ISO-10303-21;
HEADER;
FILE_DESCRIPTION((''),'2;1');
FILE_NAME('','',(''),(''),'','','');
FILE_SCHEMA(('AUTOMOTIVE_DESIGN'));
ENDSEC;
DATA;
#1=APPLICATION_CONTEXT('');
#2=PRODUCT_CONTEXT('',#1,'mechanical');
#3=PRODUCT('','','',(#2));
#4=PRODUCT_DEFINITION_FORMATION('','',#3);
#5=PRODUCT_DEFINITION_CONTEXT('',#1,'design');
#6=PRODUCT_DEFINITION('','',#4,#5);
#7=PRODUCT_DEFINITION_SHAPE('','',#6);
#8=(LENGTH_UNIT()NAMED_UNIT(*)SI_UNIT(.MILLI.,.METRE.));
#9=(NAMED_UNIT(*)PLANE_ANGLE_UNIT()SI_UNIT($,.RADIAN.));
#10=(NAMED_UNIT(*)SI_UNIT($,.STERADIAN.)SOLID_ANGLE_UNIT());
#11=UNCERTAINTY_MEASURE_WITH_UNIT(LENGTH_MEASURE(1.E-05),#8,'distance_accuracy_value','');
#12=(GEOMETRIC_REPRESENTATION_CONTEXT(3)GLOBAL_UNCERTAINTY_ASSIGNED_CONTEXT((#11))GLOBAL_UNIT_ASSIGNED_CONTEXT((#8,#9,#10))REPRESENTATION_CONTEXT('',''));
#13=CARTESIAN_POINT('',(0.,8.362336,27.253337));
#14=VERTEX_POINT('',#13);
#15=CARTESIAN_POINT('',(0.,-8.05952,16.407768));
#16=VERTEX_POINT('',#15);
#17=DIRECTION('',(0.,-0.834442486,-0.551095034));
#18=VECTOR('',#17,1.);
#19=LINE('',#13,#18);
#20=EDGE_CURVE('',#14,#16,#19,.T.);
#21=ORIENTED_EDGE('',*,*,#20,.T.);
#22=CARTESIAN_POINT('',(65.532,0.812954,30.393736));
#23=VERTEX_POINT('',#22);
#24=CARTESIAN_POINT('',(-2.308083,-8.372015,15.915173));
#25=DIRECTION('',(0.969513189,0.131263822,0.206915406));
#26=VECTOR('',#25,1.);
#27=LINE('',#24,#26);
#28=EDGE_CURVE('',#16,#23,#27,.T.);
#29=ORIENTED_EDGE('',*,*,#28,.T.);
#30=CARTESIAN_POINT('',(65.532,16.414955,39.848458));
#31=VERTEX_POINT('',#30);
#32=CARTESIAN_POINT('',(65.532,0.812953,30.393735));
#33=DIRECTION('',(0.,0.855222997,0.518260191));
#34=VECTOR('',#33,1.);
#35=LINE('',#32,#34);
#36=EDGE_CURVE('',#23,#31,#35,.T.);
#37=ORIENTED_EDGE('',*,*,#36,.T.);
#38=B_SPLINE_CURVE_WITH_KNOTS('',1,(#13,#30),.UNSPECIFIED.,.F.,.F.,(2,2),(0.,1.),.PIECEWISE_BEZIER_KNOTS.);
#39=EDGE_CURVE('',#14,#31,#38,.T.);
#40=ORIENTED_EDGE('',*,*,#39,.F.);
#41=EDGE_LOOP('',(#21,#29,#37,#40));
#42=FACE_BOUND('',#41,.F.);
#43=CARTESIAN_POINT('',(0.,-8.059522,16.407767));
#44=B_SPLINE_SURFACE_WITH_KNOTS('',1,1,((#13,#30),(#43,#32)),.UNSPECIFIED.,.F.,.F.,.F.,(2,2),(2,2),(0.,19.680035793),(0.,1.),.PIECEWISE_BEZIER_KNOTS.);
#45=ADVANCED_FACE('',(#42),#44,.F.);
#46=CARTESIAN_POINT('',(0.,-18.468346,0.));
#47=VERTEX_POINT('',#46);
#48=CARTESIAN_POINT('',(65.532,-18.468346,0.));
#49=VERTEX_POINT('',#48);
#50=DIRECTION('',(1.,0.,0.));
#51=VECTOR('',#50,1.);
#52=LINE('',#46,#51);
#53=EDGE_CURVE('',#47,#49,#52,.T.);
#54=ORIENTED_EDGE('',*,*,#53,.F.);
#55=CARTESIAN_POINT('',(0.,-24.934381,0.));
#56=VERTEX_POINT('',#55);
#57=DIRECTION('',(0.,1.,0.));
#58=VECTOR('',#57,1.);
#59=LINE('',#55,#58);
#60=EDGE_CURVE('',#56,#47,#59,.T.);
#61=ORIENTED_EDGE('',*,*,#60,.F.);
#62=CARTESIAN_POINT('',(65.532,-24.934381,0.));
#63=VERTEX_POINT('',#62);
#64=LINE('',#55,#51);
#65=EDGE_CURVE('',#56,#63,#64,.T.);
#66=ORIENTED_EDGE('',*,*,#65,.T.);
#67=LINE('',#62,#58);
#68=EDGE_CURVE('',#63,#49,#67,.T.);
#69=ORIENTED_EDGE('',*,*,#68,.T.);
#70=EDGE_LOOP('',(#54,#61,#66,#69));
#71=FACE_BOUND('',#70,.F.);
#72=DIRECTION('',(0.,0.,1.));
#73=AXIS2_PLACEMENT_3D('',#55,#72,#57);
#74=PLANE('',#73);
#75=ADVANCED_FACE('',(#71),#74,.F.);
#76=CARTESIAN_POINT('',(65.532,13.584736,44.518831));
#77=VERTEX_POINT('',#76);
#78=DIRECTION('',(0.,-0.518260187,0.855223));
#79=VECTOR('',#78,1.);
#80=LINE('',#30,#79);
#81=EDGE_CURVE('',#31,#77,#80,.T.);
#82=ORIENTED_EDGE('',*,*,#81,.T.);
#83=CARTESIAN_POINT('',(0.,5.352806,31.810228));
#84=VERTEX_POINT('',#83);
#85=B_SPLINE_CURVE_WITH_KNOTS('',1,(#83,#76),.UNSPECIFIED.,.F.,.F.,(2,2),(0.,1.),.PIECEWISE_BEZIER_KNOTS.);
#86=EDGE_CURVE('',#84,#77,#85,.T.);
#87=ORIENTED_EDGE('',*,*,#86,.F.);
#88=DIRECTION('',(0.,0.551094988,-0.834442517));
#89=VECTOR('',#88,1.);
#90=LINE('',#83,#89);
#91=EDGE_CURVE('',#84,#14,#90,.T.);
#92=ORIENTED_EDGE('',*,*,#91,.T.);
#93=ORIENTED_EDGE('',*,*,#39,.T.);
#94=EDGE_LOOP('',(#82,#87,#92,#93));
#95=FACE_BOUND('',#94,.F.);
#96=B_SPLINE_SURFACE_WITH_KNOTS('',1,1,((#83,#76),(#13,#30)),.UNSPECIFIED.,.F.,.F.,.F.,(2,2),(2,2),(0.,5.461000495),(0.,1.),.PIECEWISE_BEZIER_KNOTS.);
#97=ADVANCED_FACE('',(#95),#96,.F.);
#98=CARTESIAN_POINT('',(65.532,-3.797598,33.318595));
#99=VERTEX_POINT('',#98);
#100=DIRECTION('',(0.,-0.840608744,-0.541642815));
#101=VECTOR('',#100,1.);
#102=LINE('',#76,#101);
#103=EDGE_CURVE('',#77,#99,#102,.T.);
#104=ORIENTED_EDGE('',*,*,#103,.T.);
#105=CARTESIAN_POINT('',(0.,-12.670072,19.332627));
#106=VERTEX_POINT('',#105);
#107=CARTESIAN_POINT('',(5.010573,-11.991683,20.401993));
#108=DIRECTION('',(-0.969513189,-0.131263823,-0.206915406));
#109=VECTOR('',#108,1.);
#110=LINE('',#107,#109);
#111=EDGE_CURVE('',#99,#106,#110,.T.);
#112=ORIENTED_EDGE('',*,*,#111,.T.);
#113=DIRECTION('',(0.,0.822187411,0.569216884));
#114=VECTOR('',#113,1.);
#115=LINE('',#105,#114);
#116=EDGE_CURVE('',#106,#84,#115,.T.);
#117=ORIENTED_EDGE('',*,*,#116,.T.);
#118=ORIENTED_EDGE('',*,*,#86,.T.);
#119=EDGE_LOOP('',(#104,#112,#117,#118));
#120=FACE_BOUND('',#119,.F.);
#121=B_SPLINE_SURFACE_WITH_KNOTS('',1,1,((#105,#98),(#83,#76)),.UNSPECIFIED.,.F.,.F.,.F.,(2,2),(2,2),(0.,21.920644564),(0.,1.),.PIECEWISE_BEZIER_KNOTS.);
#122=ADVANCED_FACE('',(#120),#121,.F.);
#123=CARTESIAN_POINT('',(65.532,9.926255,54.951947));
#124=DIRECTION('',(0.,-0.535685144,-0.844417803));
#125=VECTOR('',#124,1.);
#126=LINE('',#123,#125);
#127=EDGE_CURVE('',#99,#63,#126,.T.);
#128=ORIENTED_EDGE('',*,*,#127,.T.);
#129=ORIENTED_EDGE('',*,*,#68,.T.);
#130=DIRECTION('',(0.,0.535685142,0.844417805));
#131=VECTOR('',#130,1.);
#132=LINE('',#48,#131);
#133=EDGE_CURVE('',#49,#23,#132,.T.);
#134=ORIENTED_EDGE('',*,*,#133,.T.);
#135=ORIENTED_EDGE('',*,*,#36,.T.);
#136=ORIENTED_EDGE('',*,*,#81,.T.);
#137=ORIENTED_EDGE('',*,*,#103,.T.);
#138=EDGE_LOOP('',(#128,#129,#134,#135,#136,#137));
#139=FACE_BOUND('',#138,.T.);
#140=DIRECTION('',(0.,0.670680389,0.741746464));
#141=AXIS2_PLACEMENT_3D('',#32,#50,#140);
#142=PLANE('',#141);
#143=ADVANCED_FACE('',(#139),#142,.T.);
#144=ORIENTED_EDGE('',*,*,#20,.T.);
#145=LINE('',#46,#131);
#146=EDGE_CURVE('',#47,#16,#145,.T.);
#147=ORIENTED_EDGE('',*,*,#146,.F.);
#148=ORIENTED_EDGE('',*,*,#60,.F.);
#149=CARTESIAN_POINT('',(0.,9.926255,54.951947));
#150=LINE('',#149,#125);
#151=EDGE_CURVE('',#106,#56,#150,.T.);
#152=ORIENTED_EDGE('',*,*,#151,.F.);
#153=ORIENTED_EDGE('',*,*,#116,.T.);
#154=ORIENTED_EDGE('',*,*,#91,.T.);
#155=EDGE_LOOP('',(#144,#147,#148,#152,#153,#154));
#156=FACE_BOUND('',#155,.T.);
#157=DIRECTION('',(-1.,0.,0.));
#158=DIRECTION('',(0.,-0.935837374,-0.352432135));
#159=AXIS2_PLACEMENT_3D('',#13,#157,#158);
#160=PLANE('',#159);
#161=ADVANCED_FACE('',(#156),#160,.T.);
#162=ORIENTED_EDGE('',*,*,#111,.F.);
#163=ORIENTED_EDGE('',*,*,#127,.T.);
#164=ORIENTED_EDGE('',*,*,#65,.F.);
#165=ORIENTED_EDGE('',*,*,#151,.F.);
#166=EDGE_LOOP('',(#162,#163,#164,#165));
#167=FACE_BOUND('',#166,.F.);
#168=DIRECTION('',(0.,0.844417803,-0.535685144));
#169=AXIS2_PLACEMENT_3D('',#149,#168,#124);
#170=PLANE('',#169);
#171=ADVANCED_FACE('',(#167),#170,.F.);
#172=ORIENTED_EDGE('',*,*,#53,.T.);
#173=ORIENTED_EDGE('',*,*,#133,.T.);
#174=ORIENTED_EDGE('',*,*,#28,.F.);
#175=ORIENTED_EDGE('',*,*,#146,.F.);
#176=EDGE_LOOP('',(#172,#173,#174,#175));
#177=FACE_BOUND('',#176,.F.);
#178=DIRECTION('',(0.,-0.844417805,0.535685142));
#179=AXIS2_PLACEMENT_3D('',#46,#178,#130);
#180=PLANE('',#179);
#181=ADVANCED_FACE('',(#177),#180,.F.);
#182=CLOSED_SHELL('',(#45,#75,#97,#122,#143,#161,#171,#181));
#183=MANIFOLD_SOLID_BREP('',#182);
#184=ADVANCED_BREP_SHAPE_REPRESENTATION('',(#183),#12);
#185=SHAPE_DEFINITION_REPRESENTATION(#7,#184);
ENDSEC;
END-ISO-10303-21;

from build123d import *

# Parameters (mm, degrees)
F1_DEPTH = 65.532
F3_DEPTH = 25.4


with BuildPart() as f1:
    # F0 (on Right) → F1 (new body)
    with BuildSketch(Plane.YZ):
        Polygon((9.926255, 54.951947), (-24.934381, 0), (-18.468346, 0), (14.536806, 52.027088), align=None)
    extrude(amount=F1_DEPTH)

    # F2 (on face) → F3 (cut)
    with BuildSketch(Plane(origin=(0, -17.779247, 11.27887), x_dir=(1, 0, 0), z_dir=(0, -0.844418, 0.535685))):
        Polygon((-17.95695, 38.16301), (0, 9.537645), (65.532, 26.100498), (82.354724, 60.764659), (0, 74.19014), align=None)
    extrude(amount=-F3_DEPTH, mode=Mode.SUBTRACT)

    # F5 (on face) → F6 section 0
    with BuildSketch(Plane(origin=(0, 0, 0), x_dir=(0, -1, 0), z_dir=(-1, 0, 0))):
        Polygon((-8.362336, 27.253337), (8.059522, 16.407767), (12.670072, 19.332627), (-5.352806, 31.810228), align=None)
    # F4 (on face) → F6 section 1
    with BuildSketch(Plane.YZ.offset(65.532)):
        Polygon((-3.797598, 33.318595), (0.812953, 30.393735), (16.414955, 39.848458), (13.584736, 44.518831), align=None)
    loft()


solid = f1.part
